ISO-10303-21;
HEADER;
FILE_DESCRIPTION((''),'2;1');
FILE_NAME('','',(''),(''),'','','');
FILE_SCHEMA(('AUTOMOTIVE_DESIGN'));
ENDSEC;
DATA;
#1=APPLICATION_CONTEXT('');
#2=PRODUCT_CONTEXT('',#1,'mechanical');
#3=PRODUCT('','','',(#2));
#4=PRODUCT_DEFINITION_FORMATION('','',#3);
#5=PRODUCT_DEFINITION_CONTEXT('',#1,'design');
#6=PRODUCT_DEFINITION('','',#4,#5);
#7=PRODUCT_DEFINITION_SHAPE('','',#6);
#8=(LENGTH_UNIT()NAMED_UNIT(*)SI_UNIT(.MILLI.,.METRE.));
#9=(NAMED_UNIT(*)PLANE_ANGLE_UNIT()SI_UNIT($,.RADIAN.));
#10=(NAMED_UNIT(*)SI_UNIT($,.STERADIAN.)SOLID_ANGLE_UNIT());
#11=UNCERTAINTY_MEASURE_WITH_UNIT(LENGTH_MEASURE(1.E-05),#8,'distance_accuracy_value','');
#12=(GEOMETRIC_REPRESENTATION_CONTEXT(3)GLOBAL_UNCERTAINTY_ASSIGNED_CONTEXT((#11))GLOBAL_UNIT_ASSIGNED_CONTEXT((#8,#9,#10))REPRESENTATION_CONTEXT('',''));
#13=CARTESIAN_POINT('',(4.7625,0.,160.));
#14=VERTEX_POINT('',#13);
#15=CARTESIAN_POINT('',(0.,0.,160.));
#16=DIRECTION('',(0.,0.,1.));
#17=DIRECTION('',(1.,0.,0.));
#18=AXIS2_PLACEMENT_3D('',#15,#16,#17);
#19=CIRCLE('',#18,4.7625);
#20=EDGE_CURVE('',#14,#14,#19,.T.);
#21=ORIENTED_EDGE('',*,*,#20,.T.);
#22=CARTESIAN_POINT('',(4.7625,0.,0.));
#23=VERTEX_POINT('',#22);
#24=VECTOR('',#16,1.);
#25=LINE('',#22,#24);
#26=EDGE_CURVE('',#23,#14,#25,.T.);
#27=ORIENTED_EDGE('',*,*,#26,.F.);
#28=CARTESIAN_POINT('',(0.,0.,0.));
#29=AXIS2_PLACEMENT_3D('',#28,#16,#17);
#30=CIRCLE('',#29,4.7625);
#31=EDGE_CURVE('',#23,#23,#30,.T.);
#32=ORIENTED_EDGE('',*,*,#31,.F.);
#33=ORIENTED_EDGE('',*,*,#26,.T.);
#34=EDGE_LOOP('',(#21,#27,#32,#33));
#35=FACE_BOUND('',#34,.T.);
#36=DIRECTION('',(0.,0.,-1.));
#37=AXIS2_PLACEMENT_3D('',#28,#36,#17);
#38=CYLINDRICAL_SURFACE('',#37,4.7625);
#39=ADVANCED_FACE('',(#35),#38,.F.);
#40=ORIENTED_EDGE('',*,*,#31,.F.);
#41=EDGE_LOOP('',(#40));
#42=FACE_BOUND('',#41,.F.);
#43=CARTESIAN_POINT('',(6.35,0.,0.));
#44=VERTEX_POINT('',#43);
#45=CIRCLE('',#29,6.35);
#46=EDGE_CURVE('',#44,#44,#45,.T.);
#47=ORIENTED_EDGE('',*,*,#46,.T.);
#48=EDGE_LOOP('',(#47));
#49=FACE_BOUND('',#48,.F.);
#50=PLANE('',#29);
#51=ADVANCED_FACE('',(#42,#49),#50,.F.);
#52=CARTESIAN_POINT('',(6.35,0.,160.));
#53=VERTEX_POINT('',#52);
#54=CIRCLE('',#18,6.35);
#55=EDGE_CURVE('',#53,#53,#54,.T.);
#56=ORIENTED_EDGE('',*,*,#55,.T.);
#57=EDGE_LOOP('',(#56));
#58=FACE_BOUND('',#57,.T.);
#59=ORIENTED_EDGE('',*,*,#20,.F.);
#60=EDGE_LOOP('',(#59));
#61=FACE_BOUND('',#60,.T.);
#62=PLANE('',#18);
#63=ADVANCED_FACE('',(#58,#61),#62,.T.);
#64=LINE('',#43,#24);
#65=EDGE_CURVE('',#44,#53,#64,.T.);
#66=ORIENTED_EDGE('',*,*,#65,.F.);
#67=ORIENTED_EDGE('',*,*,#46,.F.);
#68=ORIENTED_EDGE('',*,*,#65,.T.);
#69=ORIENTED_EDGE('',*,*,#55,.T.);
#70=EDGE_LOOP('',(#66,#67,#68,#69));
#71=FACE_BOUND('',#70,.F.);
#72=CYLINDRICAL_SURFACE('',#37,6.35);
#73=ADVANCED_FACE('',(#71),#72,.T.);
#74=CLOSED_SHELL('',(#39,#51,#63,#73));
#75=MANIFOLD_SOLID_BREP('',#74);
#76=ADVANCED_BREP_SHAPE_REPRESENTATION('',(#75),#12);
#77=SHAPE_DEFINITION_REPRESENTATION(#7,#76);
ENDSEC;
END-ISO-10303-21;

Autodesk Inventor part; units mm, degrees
ref_plane "YZ Plane" through (0, 0, 0) normal (1, 0, 0) x (0, 1, 0)
ref_plane "XZ Plane" through (0, 0, 0) normal (0, 1, 0) x (-1, 0, 0)
ref_plane "XY Plane" through (0, 0, 0) normal (0, 0, 1) x (1, 0, 0)
sketch "Sketch1" plane through (0, 0, 0) normal (0, 0, 1) x (1, 0, 0)
  circle A0 centre (0, 0) radius 4.7625
  circle A1 centre (0, 0) radius 6.35
  dimension "d0" = 9.525
  dimension "d1" = 12.7
extrude "Extrusion1" add sketch "Sketch1" along normal blind 160
properties part number "Steel Tubing" material "ABS Plastic"
